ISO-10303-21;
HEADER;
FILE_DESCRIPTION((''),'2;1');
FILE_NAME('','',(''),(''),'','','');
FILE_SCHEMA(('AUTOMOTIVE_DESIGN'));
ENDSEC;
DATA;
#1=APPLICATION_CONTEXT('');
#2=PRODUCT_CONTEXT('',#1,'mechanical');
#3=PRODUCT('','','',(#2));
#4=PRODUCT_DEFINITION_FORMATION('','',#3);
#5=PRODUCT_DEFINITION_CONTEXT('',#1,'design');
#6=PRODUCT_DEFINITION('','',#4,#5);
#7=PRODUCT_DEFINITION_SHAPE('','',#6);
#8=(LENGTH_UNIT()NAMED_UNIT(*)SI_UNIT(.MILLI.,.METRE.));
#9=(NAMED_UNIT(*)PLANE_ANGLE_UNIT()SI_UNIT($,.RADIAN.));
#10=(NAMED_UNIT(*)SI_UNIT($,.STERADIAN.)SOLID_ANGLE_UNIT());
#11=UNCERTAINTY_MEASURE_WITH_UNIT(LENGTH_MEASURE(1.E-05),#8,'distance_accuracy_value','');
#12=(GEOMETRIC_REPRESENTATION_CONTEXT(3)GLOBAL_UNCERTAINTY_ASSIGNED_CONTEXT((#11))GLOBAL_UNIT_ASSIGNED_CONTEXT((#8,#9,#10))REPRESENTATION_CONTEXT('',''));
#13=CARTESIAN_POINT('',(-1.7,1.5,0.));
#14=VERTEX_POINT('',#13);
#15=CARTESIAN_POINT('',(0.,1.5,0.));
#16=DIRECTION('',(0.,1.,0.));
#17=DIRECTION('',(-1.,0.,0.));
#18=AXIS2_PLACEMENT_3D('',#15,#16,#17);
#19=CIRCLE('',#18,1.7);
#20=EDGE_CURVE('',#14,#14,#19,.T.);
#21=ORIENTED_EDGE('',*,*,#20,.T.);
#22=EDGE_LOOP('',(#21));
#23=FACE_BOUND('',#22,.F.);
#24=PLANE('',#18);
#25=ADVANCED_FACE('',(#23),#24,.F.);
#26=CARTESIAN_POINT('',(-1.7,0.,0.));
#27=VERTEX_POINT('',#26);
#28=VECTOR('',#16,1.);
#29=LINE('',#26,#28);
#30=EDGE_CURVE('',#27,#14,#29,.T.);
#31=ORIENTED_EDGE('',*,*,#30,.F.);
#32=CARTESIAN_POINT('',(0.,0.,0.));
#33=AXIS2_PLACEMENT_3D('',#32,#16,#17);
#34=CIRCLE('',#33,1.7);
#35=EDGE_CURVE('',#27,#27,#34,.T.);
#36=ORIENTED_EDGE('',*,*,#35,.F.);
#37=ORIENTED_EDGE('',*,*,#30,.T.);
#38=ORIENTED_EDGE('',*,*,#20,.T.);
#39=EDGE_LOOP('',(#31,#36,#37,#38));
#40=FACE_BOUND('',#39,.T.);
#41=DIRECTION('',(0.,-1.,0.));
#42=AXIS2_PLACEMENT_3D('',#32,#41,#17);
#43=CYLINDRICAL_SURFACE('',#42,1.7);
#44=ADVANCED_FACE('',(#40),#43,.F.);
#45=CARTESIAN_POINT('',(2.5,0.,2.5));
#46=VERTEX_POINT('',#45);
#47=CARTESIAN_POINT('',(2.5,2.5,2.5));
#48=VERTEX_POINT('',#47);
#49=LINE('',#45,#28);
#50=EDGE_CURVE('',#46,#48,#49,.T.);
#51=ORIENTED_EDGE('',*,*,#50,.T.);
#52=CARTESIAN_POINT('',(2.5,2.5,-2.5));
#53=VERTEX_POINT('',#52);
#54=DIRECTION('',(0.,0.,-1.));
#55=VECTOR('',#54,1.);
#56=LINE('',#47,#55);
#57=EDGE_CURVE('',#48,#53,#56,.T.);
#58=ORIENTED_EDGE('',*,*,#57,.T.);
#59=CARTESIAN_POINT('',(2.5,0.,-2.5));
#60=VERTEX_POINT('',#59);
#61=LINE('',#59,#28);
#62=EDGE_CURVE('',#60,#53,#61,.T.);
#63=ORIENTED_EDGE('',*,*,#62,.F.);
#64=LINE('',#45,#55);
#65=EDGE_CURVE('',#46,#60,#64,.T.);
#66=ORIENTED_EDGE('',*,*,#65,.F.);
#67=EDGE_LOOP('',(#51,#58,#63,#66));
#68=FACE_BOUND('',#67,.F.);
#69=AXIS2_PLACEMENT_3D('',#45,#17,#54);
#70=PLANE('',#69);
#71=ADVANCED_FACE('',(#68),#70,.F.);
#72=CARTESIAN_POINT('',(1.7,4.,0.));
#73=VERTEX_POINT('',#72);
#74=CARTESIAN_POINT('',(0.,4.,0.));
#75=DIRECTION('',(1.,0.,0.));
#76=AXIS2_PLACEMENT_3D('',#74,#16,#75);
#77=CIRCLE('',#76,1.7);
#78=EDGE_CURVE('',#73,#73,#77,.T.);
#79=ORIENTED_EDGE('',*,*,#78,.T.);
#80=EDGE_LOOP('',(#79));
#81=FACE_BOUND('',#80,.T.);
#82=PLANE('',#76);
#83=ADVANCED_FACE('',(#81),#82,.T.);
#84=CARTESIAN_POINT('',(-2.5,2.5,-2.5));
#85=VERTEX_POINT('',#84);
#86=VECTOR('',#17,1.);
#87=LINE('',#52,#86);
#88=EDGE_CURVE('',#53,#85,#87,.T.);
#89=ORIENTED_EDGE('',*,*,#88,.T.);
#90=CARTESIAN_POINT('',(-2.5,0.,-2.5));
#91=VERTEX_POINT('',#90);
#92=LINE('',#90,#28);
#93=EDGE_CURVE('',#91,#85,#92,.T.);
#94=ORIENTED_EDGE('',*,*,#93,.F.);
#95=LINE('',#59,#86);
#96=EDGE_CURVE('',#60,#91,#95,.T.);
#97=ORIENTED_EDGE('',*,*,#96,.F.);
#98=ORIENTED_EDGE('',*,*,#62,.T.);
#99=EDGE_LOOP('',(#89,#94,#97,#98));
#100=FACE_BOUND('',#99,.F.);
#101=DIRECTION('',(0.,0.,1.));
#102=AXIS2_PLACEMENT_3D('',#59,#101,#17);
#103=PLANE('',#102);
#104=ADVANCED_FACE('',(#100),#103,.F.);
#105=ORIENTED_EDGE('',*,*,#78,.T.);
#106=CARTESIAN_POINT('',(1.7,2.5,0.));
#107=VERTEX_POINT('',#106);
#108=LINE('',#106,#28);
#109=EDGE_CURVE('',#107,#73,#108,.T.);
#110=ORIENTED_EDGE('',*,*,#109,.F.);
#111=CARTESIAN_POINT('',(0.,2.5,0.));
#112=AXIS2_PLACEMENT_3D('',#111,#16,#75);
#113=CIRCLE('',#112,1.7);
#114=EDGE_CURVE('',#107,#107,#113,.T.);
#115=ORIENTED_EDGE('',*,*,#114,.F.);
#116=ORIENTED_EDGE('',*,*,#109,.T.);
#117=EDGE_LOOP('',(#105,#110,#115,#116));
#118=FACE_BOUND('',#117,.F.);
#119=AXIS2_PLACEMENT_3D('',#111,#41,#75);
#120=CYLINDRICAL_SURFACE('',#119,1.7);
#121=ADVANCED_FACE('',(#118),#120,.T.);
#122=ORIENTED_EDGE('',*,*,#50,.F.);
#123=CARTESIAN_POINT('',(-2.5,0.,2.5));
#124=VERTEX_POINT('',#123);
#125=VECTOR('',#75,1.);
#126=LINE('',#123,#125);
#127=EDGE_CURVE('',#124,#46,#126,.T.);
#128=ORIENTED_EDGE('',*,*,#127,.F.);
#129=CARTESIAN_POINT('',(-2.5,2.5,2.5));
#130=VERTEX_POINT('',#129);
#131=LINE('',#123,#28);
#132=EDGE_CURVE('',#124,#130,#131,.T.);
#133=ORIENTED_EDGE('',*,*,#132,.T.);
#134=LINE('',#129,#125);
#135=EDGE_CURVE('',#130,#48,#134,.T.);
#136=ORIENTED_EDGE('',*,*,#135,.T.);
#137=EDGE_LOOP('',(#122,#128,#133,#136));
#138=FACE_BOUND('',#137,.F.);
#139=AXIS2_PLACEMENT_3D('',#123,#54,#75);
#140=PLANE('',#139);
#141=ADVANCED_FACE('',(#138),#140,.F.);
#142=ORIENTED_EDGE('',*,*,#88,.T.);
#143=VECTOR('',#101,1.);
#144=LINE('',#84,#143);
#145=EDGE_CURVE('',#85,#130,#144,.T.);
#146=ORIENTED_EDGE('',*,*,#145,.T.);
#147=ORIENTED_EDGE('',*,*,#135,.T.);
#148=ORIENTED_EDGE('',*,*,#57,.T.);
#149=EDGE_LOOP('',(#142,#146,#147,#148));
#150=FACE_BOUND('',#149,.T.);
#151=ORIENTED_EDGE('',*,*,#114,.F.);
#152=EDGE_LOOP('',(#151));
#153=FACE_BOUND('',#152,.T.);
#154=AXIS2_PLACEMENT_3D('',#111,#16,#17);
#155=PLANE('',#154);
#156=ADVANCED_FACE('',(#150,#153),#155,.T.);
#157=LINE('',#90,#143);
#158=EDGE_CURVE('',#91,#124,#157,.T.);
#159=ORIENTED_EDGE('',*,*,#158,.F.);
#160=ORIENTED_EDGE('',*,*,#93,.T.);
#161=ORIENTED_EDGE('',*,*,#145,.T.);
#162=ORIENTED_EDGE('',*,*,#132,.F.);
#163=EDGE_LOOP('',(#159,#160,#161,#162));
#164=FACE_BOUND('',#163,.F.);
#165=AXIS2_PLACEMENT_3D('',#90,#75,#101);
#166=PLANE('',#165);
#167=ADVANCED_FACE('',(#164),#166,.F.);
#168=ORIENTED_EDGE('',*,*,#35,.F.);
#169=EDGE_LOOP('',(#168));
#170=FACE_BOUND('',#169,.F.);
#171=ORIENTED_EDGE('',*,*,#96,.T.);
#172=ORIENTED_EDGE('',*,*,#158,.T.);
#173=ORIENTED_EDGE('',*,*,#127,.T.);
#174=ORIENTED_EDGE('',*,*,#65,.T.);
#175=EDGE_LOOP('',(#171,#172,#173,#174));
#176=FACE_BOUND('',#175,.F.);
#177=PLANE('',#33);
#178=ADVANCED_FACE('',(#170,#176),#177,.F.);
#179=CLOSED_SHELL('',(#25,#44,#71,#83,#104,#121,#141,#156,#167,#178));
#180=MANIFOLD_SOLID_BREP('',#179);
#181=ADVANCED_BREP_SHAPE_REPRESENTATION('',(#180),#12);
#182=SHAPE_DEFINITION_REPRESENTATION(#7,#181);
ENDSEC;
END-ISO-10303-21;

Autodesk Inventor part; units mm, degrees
ref_plane "YZ Plane" through (0, 0, 0) normal (1, 0, 0) x (0, 1, 0)
ref_plane "XZ Plane" through (0, 0, 0) normal (0, 1, 0) x (-1, 0, 0)
ref_plane "XY Plane" through (0, 0, 0) normal (0, 0, 1) x (1, 0, 0)
sketch "草圖1" plane through (0, 0, 0) normal (0, 1, 0) x (-1, 0, 0)
  line L0 (2.5, 2.5) -> (-2.5, 2.5)
  line L1 (-2.5, 2.5) -> (-2.5, -2.5)
  line L2 (-2.5, -2.5) -> (2.5, -2.5)
  line L3 (2.5, -2.5) -> (2.5, 2.5)
  circle A0 centre (0, 0) radius 1.7
  point P0 (2.5, 0)
  point P1 (0, -2.5)
  dimension "d0" = 5
  dimension "d1" = 5
  dimension "d4" = 3.4
extrude "擠出1" add sketch "草圖1" along normal blind 2.5 contours L3 L2 L1 L0 | A0
extrude "擠出2" cut sketch "草圖1" along normal blind 1.5 contours A0
sketch "草圖2" plane through (0, 2.5, 0) normal (0, 1, 0) x (1, 0, 0)
  circle A0 centre (0, 0) radius 1.7 projected
extrude "擠出3" add sketch "草圖2" along normal blind 1.5
properties part number "110033226_ipt_06_磚塊樺木(1x1)"
